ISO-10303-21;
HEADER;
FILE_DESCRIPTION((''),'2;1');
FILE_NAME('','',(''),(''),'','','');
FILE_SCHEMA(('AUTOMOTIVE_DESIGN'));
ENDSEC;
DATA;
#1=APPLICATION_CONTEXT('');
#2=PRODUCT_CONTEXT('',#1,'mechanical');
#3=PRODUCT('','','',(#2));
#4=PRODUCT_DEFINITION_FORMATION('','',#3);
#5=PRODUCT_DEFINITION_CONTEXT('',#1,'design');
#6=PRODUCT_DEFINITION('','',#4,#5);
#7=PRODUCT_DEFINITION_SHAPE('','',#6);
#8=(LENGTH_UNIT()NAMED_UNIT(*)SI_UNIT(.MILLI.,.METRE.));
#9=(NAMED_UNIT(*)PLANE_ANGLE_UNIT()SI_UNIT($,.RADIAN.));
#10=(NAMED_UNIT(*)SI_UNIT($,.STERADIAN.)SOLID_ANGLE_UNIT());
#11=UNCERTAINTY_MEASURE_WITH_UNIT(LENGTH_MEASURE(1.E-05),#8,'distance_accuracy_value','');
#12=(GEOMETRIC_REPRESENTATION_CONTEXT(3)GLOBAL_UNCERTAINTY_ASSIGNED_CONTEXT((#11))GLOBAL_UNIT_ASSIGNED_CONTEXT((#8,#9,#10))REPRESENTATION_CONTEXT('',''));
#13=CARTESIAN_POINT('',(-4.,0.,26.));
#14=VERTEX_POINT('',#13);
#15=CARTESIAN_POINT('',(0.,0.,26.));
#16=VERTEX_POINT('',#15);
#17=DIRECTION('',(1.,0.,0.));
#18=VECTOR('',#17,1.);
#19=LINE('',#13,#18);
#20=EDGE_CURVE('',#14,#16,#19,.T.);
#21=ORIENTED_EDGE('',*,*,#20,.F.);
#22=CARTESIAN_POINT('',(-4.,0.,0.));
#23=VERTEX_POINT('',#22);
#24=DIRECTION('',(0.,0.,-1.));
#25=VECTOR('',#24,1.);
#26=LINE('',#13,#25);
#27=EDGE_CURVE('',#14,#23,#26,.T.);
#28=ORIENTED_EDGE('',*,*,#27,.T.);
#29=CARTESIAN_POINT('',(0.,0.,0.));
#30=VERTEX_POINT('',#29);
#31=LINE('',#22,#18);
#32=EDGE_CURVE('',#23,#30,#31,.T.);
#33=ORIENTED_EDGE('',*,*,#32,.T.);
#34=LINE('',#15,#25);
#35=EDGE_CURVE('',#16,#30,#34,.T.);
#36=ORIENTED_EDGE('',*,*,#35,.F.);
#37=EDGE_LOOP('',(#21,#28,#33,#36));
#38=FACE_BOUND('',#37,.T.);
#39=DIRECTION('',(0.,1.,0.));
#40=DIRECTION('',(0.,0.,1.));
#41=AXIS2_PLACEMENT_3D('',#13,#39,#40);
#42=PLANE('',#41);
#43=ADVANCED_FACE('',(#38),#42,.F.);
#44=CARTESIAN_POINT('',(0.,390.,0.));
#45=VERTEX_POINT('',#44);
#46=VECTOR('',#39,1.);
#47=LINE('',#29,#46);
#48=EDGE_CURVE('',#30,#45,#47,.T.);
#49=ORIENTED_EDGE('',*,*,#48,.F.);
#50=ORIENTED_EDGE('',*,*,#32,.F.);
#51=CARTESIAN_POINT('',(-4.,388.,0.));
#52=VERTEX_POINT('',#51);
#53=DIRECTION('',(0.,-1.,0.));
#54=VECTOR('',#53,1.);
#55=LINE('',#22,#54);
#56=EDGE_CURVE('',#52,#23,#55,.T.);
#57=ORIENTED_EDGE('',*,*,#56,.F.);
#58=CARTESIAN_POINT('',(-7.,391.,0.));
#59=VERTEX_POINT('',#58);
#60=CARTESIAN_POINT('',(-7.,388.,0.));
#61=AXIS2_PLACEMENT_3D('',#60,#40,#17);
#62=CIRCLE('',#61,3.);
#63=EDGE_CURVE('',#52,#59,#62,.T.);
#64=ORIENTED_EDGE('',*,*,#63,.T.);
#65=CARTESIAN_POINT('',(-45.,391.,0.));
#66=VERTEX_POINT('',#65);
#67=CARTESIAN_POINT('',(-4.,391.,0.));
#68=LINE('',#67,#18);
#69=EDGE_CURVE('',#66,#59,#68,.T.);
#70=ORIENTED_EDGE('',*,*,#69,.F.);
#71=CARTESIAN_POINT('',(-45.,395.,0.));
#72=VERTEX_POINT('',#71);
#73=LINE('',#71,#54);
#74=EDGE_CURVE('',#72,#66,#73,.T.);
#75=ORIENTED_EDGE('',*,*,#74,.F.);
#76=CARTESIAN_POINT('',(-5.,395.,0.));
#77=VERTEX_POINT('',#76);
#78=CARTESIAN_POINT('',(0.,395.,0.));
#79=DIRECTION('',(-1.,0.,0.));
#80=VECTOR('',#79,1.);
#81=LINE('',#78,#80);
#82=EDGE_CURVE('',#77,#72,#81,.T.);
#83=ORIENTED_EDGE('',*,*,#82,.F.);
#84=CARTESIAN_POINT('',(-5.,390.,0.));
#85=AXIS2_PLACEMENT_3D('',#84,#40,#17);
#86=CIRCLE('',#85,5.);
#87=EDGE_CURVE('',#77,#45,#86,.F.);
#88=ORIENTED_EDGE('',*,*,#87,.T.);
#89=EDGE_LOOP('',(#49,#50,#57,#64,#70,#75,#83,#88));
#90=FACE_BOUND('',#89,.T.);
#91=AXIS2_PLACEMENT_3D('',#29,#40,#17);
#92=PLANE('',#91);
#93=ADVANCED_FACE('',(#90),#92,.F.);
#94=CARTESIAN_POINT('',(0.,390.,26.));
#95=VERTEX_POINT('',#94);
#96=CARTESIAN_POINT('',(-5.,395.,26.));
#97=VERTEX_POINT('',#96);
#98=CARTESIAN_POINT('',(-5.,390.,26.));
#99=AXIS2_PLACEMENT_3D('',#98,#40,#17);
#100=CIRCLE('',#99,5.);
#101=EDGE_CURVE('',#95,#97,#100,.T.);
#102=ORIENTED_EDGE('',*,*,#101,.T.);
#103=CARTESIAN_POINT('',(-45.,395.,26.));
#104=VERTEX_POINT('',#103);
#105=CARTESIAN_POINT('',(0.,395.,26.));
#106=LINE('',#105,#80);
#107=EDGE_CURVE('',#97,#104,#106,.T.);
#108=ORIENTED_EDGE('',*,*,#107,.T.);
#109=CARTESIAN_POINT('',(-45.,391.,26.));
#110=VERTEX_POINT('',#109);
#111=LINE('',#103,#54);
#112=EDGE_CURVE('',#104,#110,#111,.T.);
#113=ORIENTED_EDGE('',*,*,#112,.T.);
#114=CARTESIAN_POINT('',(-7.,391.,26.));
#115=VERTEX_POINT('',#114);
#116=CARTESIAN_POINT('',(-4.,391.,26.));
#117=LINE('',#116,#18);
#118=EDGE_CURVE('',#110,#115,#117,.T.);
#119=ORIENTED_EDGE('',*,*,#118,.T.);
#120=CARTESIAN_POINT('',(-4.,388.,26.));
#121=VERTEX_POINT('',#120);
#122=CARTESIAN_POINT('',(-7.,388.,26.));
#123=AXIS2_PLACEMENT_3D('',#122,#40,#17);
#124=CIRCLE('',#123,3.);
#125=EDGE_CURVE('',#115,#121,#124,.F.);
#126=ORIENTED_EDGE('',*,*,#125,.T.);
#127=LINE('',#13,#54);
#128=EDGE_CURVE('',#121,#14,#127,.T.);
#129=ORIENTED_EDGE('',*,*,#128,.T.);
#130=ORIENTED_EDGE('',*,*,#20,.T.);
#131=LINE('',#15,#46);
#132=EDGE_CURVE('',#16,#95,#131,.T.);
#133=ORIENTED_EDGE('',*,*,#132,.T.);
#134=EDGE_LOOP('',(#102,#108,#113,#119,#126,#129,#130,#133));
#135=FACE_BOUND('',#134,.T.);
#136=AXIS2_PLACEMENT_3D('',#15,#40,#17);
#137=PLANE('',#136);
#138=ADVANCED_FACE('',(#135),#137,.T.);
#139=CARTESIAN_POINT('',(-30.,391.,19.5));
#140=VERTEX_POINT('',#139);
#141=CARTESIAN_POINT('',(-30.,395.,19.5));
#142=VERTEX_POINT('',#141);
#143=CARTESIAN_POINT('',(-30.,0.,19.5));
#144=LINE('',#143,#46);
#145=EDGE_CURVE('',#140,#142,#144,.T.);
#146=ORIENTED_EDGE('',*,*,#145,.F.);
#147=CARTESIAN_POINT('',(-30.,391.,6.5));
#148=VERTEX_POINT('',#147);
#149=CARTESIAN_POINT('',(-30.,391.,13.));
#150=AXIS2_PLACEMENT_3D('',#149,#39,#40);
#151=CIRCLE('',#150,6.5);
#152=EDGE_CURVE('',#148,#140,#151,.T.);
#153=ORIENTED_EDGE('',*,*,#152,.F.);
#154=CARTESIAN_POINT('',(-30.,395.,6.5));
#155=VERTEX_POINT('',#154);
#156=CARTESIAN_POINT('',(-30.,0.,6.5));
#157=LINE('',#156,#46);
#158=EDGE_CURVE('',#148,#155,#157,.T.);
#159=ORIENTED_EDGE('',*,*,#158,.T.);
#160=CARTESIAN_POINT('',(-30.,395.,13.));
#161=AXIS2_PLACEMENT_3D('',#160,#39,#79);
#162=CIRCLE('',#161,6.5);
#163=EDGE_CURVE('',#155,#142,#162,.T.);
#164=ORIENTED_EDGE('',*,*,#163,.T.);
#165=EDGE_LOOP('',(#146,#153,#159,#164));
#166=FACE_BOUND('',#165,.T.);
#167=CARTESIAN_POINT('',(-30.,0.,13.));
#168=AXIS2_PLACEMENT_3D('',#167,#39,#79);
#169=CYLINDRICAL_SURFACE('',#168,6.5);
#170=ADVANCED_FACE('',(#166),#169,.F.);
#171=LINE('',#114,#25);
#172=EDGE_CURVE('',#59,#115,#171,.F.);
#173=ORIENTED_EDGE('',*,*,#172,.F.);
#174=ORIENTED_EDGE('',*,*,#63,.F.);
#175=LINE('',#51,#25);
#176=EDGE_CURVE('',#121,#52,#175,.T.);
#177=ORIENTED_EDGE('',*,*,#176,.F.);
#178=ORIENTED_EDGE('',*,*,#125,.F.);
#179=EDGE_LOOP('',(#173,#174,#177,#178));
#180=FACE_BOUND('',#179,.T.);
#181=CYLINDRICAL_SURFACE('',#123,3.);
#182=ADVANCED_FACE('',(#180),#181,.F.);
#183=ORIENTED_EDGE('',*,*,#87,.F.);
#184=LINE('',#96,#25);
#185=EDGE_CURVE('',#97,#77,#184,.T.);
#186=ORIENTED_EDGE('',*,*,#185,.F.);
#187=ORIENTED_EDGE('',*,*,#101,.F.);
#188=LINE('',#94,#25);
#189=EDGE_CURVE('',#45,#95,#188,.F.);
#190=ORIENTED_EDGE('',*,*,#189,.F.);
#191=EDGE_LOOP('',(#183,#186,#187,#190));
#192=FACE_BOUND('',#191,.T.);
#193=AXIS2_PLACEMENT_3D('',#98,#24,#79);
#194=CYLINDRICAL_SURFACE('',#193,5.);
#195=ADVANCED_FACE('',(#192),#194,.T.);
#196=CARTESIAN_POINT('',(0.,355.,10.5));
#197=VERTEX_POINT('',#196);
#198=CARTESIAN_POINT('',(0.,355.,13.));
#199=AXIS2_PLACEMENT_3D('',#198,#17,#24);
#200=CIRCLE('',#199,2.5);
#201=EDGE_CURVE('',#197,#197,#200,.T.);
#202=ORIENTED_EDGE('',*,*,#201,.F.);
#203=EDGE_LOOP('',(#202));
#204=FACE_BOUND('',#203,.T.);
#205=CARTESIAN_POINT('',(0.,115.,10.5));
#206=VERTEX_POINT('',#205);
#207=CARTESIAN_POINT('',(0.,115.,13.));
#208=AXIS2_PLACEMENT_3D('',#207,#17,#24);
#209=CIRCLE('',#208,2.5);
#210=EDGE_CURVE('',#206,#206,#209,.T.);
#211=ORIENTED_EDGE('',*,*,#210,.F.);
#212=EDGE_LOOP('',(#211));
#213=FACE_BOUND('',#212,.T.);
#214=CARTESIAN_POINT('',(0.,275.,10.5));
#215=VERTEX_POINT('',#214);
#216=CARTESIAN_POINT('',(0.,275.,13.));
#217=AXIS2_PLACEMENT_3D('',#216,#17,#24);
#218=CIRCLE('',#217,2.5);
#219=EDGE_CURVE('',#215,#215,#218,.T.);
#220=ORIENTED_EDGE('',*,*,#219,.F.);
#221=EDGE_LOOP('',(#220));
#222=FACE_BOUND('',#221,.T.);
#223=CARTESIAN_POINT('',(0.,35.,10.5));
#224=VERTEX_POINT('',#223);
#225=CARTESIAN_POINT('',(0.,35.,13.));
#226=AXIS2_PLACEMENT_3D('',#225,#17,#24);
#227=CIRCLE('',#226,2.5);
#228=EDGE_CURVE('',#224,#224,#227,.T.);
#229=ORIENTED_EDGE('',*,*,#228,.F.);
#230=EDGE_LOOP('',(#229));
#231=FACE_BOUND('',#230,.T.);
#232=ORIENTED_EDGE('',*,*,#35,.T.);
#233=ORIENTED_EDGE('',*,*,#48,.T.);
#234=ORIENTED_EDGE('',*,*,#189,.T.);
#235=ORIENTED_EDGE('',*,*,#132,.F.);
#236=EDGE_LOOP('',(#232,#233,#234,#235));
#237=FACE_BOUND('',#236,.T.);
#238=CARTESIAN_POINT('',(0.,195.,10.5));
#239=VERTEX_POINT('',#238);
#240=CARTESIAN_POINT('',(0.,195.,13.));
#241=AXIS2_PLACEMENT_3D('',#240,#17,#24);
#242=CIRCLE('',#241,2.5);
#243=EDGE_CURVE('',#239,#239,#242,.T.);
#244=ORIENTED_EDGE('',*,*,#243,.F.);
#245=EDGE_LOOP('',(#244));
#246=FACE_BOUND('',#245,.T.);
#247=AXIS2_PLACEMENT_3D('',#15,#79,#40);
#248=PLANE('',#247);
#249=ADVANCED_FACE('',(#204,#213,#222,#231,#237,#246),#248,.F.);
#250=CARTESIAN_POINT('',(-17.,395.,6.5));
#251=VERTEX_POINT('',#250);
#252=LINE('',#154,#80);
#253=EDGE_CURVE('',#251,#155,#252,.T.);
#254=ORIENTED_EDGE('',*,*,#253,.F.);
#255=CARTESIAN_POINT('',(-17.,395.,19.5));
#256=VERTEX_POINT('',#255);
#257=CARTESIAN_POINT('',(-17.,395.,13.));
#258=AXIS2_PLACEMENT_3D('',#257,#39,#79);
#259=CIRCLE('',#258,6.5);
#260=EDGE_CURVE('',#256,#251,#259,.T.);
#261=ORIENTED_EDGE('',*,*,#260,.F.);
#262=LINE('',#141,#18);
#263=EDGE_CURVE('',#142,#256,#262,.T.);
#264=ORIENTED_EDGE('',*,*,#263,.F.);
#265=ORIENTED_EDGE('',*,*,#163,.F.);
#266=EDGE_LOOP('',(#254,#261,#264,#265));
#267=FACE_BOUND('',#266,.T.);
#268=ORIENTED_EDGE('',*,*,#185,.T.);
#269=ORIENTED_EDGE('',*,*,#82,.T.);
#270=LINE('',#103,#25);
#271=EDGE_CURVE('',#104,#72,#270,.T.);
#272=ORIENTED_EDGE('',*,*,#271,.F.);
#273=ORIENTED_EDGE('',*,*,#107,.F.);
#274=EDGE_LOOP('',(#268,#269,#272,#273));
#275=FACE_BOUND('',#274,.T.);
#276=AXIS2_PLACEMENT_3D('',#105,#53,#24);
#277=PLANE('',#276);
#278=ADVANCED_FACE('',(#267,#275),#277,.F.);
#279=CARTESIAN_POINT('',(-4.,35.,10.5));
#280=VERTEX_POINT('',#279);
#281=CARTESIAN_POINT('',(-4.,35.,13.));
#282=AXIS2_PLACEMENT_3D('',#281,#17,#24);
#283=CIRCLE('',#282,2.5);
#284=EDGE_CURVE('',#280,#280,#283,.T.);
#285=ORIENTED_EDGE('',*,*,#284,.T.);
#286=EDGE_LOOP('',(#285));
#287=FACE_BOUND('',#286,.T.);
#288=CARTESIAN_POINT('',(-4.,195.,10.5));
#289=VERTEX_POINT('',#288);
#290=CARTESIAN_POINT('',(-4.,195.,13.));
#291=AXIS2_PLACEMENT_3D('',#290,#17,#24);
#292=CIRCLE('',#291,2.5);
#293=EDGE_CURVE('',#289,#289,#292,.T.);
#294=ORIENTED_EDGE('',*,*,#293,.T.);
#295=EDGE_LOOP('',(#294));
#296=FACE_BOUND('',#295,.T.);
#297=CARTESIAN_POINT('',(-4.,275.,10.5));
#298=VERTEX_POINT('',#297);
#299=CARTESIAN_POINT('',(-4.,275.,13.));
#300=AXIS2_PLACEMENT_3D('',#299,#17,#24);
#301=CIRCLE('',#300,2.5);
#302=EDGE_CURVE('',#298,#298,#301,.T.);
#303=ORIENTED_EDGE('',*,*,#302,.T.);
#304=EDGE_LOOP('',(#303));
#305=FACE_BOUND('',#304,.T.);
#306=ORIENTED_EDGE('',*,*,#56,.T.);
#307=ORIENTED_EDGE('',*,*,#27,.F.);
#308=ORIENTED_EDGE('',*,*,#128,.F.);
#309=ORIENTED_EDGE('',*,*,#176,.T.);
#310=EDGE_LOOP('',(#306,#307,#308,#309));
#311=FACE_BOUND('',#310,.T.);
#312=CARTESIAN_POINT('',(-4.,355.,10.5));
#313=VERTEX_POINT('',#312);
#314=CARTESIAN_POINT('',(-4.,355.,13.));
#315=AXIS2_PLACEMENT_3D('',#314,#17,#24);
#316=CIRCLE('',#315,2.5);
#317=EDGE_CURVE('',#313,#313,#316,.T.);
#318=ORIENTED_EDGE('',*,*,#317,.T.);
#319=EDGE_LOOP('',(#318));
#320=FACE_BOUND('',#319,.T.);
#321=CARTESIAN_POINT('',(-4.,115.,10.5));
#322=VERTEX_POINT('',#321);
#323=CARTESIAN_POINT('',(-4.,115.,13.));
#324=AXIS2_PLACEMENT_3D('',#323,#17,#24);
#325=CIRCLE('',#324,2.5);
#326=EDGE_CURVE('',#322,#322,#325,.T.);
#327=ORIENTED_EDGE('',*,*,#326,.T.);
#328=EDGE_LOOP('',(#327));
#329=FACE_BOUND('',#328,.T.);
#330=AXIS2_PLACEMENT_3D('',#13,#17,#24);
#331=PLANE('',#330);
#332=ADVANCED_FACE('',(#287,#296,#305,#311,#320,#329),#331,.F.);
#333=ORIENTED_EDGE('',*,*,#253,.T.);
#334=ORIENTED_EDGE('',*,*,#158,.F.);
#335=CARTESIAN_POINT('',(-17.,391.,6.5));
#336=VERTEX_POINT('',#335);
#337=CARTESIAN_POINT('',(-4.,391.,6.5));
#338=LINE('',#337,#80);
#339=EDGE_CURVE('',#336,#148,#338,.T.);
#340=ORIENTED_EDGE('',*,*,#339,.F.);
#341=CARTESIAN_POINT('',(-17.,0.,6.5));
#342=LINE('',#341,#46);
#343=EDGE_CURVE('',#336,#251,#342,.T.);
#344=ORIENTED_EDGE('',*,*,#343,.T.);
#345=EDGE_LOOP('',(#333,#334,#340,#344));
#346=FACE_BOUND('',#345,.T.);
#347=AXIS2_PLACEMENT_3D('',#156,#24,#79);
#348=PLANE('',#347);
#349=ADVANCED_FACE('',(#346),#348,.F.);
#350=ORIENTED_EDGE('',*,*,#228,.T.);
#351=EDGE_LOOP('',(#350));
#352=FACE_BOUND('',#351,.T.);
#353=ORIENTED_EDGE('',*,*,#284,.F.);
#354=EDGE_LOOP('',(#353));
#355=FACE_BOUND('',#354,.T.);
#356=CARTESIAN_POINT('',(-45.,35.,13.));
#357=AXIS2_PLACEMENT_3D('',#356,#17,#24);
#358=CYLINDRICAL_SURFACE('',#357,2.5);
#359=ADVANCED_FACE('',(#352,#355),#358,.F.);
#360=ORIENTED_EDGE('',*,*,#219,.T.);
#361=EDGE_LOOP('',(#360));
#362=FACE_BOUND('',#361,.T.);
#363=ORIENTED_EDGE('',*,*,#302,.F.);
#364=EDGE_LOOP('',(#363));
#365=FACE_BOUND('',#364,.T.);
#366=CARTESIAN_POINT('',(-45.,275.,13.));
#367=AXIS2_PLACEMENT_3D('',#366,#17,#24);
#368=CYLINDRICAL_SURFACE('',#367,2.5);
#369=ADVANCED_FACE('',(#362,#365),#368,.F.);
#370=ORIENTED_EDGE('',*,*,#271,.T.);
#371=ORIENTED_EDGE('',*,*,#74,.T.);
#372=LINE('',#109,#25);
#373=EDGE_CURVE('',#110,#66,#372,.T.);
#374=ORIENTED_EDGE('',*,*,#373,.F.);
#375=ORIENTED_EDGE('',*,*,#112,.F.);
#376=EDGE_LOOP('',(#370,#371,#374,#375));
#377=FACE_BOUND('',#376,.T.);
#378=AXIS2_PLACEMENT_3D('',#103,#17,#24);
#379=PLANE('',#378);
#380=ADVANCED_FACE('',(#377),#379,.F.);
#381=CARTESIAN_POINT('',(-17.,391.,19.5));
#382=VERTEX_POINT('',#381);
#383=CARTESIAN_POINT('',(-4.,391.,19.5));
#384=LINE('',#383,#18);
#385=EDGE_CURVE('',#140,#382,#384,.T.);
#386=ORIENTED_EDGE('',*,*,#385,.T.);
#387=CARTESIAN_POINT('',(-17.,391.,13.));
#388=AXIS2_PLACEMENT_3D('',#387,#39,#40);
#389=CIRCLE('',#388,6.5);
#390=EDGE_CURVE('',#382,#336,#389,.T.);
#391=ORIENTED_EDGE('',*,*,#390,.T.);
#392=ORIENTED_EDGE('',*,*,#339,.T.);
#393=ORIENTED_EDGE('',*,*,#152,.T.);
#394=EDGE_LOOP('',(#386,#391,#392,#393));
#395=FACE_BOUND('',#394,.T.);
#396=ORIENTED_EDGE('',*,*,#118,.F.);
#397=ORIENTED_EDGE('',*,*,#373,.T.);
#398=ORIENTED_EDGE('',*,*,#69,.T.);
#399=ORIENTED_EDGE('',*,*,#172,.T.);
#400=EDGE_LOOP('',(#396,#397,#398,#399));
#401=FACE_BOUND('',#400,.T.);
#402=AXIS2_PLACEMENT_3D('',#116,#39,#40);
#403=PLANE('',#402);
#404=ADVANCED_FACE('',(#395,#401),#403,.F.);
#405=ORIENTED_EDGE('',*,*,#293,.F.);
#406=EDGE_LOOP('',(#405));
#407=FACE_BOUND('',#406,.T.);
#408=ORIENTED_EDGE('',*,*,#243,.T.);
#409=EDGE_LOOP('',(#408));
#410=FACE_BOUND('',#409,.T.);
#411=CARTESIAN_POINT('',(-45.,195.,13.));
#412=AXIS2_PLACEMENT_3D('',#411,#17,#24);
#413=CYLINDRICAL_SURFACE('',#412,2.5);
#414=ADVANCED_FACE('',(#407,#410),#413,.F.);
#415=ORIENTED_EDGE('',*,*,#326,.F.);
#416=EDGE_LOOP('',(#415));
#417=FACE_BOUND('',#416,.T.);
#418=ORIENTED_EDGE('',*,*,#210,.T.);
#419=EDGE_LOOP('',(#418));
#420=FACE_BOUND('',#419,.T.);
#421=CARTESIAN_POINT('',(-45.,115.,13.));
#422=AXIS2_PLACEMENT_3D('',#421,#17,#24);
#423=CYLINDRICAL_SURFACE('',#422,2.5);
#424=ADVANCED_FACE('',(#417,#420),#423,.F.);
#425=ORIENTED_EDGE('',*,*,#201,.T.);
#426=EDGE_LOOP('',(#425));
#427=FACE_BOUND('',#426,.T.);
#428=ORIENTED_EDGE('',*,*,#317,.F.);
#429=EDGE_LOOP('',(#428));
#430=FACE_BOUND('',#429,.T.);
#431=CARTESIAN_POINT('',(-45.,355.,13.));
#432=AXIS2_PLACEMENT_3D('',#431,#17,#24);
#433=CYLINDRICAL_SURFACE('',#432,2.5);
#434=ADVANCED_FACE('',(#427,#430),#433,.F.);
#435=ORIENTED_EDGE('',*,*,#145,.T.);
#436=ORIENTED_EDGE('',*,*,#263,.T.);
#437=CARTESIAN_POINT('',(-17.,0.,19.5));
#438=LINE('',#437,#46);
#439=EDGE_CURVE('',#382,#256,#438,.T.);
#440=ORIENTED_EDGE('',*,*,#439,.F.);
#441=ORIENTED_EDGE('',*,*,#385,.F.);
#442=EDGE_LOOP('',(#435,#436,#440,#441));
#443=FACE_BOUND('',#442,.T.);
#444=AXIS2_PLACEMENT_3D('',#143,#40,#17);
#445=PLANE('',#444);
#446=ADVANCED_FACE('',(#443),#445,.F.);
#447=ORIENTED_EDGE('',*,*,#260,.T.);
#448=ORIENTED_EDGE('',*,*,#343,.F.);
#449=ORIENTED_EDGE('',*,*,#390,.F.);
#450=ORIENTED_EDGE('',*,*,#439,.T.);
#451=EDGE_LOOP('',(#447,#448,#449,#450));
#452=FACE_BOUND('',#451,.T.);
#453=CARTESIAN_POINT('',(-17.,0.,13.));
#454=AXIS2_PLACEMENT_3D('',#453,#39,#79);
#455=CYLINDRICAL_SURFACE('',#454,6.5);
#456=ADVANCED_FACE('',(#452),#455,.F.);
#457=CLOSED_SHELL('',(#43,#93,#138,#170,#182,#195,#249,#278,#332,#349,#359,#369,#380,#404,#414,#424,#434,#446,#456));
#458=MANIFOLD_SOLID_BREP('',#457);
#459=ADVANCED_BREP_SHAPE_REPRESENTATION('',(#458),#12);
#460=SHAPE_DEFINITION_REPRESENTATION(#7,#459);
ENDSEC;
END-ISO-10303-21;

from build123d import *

# Parameters (mm, degrees)
BOSS_EXTRUDE1_DEPTH = 26
SKETCH2_R           = 2.5
CUT_EXTRUDE1_DEPTH  = 46
CUT_EXTRUDE2_DEPTH  = 396
FILLET1_R           = 3
FILLET2_R           = 5


with BuildPart() as part:
    # Sketch1 → Boss-Extrude1 (new body)
    with BuildSketch(Plane.XY):
        Polygon((0, 0), (0, 395), (-45, 395), (-45, 391), (-4, 391), (-4, 0), align=None)
    extrude(amount=BOSS_EXTRUDE1_DEPTH)

    # Sketch2 → Cut-Extrude1 (cut, through all)
    with BuildSketch(Plane(origin=(0, 0, 0), x_dir=(0, 0, -1), z_dir=(1, 0, 0))):
        with Locations((-13, 195)):
            Circle(SKETCH2_R)
        with Locations((-13, 115)):
            Circle(SKETCH2_R)
        with Locations((-13, 35)):
            Circle(SKETCH2_R)
        with Locations((-13, 275)):
            Circle(SKETCH2_R)
        with Locations((-13, 355)):
            Circle(SKETCH2_R)
    extrude(amount=-CUT_EXTRUDE1_DEPTH, mode=Mode.SUBTRACT)

    # Sketch3 → Cut-Extrude2 (cut, through all)
    with BuildSketch(Plane(origin=(0, 395, 0), x_dir=(1, 0, 0), z_dir=(0, 1, 0))):
        with BuildLine():
            Line((-30, -6.5), (-17, -6.5))
            ThreePointArc((-17, -6.5), (-10.5, -13), (-17, -19.5))
            Line((-17, -19.5), (-30, -19.5))
            ThreePointArc((-30, -19.5), (-36.5, -13), (-30, -6.5))
        make_face()
    extrude(amount=-CUT_EXTRUDE2_DEPTH, mode=Mode.SUBTRACT)

    # Fillet1
    fillet1_edges = [part.edges().sort_by_distance(p)[0] for p in [
        (-4, 391, 13),
    ]]
    fillet(fillet1_edges, radius=FILLET1_R)

    # Fillet2
    fillet2_edges = [part.edges().sort_by_distance(p)[0] for p in [
        (0, 395, 13),
    ]]
    fillet(fillet2_edges, radius=FILLET2_R)


solid = part.part
